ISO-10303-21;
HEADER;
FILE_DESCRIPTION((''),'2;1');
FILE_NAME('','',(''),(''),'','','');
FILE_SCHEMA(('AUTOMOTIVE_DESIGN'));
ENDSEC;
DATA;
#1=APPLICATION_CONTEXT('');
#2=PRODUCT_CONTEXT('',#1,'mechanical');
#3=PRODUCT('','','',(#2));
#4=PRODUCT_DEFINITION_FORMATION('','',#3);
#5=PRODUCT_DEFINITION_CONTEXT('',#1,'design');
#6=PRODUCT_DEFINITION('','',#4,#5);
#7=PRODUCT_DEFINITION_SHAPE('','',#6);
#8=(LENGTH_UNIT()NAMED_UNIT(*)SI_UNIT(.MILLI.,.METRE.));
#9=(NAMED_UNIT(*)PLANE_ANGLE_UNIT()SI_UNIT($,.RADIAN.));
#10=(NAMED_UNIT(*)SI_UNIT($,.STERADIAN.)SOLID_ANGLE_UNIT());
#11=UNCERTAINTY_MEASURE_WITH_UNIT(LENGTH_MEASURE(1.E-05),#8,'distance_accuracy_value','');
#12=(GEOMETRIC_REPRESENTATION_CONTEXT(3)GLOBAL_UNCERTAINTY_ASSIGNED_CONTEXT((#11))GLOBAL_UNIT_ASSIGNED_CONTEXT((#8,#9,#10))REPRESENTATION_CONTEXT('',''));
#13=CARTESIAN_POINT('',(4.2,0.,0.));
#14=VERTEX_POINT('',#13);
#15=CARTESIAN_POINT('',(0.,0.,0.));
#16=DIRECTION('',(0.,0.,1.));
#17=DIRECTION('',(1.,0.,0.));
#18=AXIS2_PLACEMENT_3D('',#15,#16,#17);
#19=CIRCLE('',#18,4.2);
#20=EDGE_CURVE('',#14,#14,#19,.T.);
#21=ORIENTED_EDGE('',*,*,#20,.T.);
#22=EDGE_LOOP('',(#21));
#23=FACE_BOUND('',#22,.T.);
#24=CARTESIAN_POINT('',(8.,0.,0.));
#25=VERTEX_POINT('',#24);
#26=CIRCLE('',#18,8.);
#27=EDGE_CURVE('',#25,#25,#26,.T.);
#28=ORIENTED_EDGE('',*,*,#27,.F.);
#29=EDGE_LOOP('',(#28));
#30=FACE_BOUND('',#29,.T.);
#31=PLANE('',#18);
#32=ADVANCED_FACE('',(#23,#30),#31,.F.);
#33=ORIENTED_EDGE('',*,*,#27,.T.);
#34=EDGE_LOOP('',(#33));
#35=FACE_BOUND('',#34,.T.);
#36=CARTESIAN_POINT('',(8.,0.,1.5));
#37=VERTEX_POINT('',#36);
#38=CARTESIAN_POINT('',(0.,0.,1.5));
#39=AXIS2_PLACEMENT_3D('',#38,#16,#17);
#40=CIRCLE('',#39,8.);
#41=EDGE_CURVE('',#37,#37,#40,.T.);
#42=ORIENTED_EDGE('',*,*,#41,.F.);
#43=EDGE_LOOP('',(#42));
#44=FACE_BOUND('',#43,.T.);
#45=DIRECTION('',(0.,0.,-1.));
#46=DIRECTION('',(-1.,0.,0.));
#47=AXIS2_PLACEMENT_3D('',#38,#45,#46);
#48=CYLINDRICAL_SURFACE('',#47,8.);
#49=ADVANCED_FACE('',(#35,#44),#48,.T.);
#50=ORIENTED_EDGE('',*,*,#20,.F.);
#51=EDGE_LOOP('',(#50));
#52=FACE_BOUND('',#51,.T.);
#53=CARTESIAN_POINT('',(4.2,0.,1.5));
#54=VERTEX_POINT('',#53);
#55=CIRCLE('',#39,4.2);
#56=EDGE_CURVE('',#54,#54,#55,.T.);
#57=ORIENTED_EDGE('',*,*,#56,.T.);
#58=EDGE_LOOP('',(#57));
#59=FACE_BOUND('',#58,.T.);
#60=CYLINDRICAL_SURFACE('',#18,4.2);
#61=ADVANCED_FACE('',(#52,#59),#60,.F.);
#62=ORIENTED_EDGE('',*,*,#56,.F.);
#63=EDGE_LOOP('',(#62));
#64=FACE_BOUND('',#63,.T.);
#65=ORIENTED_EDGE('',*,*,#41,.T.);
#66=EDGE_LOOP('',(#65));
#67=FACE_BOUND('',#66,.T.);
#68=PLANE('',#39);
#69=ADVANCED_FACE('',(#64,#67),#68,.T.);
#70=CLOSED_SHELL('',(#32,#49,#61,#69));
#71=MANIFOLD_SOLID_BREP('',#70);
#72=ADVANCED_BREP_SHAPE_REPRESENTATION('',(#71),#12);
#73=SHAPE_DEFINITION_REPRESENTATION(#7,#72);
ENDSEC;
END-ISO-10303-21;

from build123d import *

# Parameters (mm, degrees)
ESQUISSE1_R             = 8
BOSS_EXTRU_1_DEPTH      = 1.5
ESQUISSE2_R             = 4.2
ENL_V_MAT_EXTRU_1_DEPTH = 1.5


with BuildPart() as part:
    # Esquisse1 → Boss.-Extru.1 (new body)
    with BuildSketch(Plane.XY):
        Circle(ESQUISSE1_R)
    extrude(amount=BOSS_EXTRU_1_DEPTH)

    # Esquisse2 → Enlèv. mat.-Extru.1 (cut)
    with BuildSketch(Plane.XY.offset(1.5)):
        Circle(ESQUISSE2_R)
    extrude(amount=-ENL_V_MAT_EXTRU_1_DEPTH, mode=Mode.SUBTRACT)


solid = part.part
